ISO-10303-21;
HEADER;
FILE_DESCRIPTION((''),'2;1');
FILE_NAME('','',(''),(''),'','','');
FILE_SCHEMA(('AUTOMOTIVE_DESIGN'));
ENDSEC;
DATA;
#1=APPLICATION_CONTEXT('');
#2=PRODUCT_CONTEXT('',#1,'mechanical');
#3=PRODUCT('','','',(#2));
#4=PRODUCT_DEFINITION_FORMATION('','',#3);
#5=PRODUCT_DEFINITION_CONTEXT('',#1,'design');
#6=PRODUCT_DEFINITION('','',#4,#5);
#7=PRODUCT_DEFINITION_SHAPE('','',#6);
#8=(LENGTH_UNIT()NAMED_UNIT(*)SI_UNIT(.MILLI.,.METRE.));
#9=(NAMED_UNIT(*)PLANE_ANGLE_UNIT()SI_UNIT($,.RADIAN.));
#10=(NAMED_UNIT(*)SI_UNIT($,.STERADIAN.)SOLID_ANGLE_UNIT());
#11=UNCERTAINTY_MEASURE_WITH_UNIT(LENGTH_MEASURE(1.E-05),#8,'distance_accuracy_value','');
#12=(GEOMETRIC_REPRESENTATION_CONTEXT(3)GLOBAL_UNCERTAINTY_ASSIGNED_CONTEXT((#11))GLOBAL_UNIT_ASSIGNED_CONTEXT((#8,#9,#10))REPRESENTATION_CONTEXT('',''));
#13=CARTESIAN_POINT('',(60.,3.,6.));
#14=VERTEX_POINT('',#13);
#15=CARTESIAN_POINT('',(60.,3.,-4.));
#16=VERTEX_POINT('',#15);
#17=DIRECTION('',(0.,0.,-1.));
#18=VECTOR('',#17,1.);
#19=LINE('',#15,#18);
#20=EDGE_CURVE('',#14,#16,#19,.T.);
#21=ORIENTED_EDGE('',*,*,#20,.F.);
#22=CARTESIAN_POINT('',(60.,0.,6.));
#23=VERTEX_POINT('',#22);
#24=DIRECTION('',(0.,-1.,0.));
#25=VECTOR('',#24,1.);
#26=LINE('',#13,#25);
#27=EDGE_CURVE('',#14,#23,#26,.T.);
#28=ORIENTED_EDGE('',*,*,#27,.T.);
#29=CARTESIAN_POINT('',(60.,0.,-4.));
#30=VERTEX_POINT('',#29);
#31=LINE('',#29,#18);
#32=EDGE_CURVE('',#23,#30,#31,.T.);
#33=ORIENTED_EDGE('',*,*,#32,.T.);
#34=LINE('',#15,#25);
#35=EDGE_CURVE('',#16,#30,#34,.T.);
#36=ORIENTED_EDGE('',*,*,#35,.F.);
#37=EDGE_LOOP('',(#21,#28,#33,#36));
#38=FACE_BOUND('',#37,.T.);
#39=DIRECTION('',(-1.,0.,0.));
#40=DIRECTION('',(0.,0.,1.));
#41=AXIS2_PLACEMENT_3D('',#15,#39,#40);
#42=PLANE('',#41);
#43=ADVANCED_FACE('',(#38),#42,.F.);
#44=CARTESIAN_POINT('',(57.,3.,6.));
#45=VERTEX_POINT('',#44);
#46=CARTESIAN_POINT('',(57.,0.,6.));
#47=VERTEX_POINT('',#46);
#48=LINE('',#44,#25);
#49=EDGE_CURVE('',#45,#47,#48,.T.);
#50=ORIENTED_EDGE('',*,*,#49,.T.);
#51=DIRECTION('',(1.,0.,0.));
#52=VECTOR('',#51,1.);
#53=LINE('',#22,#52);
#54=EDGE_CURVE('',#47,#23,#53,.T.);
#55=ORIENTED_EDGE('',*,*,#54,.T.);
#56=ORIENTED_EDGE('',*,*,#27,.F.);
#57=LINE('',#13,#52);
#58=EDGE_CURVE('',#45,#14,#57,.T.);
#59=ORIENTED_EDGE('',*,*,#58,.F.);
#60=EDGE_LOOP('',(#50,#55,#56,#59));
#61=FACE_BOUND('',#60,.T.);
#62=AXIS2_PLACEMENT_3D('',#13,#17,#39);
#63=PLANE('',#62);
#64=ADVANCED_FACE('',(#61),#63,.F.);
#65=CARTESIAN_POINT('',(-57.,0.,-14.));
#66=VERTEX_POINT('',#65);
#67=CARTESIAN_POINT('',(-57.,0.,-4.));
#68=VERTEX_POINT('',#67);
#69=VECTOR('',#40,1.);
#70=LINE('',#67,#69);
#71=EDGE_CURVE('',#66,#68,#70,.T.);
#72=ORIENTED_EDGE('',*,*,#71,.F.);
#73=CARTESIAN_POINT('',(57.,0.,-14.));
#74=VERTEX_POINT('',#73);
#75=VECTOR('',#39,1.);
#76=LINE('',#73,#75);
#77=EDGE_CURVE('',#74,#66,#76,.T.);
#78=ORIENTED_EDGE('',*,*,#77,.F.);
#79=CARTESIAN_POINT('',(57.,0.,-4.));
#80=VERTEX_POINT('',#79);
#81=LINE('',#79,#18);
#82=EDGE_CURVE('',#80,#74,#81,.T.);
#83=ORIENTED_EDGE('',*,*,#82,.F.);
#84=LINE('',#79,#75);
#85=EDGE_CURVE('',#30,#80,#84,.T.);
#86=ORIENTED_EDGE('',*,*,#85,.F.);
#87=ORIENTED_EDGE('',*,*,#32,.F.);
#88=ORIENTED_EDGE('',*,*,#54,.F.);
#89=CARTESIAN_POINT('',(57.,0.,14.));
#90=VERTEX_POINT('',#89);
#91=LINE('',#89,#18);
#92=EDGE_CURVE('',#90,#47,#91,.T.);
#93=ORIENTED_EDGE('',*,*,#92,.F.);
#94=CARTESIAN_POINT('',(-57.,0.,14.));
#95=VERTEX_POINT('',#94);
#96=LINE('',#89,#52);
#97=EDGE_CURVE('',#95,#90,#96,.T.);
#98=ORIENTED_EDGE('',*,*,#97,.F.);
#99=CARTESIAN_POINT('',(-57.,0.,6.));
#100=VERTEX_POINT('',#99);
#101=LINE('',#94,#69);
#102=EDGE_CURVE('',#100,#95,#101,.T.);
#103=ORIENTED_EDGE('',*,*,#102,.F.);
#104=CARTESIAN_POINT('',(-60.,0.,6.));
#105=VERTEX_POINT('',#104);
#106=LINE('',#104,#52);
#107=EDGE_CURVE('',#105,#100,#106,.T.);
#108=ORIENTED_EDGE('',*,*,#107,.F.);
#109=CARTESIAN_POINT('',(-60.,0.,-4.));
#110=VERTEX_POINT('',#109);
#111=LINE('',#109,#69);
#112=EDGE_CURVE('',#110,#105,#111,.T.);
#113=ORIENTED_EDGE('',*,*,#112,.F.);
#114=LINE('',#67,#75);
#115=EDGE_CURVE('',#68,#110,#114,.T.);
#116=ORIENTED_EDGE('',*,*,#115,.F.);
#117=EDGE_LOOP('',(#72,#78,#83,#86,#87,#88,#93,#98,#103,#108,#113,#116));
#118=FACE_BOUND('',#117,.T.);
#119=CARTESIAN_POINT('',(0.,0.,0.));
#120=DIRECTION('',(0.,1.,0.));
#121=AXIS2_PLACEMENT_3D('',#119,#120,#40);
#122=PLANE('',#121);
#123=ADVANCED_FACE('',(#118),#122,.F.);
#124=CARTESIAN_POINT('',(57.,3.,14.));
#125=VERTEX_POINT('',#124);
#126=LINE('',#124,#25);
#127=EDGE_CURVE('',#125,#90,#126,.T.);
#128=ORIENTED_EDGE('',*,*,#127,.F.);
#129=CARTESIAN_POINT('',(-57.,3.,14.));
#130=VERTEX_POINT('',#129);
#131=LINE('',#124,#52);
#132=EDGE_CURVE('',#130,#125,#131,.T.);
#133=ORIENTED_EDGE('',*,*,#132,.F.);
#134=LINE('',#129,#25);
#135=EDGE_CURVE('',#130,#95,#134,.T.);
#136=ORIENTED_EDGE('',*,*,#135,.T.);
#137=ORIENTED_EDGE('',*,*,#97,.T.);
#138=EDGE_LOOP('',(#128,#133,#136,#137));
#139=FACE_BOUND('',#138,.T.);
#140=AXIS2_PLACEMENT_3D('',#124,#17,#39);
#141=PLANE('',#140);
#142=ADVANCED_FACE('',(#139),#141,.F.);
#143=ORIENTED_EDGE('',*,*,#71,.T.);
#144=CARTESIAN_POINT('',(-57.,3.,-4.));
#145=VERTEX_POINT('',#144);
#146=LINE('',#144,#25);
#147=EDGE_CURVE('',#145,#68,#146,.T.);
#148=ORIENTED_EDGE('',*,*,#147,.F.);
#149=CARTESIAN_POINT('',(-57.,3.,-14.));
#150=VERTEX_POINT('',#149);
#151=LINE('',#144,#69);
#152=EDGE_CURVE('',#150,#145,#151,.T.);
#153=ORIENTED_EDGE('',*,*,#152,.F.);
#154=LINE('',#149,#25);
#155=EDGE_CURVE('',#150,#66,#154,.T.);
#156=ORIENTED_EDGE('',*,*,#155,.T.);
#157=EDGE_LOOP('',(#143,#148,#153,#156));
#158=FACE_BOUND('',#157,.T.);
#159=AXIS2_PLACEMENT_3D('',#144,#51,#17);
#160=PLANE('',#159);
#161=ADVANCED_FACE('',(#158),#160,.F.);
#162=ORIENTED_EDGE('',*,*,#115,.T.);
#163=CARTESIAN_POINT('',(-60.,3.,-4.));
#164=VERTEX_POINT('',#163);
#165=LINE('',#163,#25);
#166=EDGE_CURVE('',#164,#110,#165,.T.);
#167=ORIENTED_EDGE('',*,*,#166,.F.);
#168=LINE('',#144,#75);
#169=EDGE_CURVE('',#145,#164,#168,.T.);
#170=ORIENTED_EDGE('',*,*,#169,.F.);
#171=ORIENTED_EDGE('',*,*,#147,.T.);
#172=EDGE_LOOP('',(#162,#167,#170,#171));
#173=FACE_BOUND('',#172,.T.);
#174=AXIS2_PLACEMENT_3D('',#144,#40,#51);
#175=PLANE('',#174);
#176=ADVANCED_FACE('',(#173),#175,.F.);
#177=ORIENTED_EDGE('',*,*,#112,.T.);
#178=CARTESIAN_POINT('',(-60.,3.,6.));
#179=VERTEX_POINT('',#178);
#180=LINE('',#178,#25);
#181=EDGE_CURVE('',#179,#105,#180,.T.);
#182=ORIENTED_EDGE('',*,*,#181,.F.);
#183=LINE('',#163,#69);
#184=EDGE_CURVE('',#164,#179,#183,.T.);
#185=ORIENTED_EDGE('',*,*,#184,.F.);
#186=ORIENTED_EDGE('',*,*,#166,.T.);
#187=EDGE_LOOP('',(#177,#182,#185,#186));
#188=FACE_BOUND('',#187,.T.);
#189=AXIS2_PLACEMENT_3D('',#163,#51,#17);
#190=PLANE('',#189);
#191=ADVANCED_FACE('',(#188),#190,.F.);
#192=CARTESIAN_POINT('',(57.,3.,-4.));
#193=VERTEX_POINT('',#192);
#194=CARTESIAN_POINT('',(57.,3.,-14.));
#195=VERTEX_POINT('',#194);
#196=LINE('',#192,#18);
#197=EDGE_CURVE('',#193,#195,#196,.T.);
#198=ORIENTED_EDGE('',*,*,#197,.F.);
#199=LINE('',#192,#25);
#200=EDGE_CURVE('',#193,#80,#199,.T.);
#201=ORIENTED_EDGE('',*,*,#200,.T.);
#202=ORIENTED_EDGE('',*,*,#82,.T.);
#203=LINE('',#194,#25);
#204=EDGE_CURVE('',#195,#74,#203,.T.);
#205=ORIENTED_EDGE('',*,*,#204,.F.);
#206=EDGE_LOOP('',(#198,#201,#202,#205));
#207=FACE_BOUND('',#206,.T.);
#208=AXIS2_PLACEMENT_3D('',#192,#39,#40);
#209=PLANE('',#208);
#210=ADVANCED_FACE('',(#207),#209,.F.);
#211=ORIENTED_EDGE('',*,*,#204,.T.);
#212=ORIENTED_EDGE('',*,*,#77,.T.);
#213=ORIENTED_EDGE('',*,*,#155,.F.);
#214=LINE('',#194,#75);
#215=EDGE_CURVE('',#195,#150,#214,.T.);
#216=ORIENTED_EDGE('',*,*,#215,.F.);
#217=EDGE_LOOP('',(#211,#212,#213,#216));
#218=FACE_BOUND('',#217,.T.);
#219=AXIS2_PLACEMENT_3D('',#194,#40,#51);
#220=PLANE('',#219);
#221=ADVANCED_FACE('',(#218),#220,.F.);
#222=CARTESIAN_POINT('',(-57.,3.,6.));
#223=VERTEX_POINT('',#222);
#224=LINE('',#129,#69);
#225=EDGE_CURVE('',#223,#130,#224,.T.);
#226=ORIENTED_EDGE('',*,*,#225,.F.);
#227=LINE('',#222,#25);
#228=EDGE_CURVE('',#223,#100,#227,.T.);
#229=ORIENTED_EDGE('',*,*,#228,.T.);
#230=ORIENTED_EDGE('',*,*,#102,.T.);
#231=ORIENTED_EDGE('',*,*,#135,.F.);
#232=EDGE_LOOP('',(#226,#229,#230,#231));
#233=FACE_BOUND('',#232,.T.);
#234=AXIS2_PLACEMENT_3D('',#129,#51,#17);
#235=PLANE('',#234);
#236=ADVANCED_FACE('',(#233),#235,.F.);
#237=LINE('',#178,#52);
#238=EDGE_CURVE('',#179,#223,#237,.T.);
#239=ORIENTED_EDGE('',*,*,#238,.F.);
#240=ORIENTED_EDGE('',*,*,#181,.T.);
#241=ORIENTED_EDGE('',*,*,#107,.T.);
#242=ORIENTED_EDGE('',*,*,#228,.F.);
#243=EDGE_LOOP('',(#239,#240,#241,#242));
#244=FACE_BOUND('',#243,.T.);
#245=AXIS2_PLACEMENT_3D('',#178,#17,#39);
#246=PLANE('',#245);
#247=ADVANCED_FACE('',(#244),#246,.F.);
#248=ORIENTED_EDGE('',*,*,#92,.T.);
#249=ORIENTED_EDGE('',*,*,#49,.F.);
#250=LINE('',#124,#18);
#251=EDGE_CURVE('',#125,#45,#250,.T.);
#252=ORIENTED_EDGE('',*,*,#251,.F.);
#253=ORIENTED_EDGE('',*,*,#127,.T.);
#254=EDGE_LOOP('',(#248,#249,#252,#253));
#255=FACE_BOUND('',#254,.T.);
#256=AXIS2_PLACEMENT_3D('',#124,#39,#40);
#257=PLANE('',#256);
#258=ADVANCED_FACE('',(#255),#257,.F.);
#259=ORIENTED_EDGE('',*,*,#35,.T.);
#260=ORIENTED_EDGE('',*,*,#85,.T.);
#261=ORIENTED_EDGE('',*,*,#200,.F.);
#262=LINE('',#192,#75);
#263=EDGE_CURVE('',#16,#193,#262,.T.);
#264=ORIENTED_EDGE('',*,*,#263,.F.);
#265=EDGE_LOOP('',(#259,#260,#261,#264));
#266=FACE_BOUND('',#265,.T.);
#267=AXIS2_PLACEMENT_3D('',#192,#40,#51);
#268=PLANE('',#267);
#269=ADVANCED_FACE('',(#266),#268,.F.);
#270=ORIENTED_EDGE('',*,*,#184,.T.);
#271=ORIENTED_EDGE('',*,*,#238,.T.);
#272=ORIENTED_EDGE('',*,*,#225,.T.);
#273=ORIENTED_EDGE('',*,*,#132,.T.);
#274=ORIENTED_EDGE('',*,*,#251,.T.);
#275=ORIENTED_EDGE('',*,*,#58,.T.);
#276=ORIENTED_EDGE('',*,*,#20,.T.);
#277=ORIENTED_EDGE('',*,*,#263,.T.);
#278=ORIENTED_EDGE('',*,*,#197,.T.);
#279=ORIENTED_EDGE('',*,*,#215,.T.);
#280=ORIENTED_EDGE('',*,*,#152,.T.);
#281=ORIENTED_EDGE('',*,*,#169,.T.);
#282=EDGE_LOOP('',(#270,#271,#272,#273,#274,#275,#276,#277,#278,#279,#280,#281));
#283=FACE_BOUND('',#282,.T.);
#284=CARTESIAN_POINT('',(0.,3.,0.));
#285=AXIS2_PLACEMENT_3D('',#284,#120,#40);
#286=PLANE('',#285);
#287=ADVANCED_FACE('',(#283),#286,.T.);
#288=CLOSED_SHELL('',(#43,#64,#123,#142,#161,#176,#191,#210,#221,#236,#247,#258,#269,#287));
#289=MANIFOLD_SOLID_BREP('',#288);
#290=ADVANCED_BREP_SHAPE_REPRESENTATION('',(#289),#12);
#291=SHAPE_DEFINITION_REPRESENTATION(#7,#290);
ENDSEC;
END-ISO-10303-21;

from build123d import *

# Parameters (mm, degrees)
SALIENTE_EXTRUIR1_DEPTH = 3


with BuildPart() as part:
    # Croquis1 → Saliente-Extruir1 (new body)
    with BuildSketch(Plane(origin=(0, 0, 0), x_dir=(1, 0, 0), z_dir=(0, 1, 0))):
        Polygon((-57, 4), (-60, 4), (-60, -6), (-57, -6), (-57, -14), (57, -14), (57, -6), (60, -6), (60, 4), (57, 4), (57, 14), (-57, 14), align=None)
    extrude(amount=SALIENTE_EXTRUIR1_DEPTH)


solid = part.part
